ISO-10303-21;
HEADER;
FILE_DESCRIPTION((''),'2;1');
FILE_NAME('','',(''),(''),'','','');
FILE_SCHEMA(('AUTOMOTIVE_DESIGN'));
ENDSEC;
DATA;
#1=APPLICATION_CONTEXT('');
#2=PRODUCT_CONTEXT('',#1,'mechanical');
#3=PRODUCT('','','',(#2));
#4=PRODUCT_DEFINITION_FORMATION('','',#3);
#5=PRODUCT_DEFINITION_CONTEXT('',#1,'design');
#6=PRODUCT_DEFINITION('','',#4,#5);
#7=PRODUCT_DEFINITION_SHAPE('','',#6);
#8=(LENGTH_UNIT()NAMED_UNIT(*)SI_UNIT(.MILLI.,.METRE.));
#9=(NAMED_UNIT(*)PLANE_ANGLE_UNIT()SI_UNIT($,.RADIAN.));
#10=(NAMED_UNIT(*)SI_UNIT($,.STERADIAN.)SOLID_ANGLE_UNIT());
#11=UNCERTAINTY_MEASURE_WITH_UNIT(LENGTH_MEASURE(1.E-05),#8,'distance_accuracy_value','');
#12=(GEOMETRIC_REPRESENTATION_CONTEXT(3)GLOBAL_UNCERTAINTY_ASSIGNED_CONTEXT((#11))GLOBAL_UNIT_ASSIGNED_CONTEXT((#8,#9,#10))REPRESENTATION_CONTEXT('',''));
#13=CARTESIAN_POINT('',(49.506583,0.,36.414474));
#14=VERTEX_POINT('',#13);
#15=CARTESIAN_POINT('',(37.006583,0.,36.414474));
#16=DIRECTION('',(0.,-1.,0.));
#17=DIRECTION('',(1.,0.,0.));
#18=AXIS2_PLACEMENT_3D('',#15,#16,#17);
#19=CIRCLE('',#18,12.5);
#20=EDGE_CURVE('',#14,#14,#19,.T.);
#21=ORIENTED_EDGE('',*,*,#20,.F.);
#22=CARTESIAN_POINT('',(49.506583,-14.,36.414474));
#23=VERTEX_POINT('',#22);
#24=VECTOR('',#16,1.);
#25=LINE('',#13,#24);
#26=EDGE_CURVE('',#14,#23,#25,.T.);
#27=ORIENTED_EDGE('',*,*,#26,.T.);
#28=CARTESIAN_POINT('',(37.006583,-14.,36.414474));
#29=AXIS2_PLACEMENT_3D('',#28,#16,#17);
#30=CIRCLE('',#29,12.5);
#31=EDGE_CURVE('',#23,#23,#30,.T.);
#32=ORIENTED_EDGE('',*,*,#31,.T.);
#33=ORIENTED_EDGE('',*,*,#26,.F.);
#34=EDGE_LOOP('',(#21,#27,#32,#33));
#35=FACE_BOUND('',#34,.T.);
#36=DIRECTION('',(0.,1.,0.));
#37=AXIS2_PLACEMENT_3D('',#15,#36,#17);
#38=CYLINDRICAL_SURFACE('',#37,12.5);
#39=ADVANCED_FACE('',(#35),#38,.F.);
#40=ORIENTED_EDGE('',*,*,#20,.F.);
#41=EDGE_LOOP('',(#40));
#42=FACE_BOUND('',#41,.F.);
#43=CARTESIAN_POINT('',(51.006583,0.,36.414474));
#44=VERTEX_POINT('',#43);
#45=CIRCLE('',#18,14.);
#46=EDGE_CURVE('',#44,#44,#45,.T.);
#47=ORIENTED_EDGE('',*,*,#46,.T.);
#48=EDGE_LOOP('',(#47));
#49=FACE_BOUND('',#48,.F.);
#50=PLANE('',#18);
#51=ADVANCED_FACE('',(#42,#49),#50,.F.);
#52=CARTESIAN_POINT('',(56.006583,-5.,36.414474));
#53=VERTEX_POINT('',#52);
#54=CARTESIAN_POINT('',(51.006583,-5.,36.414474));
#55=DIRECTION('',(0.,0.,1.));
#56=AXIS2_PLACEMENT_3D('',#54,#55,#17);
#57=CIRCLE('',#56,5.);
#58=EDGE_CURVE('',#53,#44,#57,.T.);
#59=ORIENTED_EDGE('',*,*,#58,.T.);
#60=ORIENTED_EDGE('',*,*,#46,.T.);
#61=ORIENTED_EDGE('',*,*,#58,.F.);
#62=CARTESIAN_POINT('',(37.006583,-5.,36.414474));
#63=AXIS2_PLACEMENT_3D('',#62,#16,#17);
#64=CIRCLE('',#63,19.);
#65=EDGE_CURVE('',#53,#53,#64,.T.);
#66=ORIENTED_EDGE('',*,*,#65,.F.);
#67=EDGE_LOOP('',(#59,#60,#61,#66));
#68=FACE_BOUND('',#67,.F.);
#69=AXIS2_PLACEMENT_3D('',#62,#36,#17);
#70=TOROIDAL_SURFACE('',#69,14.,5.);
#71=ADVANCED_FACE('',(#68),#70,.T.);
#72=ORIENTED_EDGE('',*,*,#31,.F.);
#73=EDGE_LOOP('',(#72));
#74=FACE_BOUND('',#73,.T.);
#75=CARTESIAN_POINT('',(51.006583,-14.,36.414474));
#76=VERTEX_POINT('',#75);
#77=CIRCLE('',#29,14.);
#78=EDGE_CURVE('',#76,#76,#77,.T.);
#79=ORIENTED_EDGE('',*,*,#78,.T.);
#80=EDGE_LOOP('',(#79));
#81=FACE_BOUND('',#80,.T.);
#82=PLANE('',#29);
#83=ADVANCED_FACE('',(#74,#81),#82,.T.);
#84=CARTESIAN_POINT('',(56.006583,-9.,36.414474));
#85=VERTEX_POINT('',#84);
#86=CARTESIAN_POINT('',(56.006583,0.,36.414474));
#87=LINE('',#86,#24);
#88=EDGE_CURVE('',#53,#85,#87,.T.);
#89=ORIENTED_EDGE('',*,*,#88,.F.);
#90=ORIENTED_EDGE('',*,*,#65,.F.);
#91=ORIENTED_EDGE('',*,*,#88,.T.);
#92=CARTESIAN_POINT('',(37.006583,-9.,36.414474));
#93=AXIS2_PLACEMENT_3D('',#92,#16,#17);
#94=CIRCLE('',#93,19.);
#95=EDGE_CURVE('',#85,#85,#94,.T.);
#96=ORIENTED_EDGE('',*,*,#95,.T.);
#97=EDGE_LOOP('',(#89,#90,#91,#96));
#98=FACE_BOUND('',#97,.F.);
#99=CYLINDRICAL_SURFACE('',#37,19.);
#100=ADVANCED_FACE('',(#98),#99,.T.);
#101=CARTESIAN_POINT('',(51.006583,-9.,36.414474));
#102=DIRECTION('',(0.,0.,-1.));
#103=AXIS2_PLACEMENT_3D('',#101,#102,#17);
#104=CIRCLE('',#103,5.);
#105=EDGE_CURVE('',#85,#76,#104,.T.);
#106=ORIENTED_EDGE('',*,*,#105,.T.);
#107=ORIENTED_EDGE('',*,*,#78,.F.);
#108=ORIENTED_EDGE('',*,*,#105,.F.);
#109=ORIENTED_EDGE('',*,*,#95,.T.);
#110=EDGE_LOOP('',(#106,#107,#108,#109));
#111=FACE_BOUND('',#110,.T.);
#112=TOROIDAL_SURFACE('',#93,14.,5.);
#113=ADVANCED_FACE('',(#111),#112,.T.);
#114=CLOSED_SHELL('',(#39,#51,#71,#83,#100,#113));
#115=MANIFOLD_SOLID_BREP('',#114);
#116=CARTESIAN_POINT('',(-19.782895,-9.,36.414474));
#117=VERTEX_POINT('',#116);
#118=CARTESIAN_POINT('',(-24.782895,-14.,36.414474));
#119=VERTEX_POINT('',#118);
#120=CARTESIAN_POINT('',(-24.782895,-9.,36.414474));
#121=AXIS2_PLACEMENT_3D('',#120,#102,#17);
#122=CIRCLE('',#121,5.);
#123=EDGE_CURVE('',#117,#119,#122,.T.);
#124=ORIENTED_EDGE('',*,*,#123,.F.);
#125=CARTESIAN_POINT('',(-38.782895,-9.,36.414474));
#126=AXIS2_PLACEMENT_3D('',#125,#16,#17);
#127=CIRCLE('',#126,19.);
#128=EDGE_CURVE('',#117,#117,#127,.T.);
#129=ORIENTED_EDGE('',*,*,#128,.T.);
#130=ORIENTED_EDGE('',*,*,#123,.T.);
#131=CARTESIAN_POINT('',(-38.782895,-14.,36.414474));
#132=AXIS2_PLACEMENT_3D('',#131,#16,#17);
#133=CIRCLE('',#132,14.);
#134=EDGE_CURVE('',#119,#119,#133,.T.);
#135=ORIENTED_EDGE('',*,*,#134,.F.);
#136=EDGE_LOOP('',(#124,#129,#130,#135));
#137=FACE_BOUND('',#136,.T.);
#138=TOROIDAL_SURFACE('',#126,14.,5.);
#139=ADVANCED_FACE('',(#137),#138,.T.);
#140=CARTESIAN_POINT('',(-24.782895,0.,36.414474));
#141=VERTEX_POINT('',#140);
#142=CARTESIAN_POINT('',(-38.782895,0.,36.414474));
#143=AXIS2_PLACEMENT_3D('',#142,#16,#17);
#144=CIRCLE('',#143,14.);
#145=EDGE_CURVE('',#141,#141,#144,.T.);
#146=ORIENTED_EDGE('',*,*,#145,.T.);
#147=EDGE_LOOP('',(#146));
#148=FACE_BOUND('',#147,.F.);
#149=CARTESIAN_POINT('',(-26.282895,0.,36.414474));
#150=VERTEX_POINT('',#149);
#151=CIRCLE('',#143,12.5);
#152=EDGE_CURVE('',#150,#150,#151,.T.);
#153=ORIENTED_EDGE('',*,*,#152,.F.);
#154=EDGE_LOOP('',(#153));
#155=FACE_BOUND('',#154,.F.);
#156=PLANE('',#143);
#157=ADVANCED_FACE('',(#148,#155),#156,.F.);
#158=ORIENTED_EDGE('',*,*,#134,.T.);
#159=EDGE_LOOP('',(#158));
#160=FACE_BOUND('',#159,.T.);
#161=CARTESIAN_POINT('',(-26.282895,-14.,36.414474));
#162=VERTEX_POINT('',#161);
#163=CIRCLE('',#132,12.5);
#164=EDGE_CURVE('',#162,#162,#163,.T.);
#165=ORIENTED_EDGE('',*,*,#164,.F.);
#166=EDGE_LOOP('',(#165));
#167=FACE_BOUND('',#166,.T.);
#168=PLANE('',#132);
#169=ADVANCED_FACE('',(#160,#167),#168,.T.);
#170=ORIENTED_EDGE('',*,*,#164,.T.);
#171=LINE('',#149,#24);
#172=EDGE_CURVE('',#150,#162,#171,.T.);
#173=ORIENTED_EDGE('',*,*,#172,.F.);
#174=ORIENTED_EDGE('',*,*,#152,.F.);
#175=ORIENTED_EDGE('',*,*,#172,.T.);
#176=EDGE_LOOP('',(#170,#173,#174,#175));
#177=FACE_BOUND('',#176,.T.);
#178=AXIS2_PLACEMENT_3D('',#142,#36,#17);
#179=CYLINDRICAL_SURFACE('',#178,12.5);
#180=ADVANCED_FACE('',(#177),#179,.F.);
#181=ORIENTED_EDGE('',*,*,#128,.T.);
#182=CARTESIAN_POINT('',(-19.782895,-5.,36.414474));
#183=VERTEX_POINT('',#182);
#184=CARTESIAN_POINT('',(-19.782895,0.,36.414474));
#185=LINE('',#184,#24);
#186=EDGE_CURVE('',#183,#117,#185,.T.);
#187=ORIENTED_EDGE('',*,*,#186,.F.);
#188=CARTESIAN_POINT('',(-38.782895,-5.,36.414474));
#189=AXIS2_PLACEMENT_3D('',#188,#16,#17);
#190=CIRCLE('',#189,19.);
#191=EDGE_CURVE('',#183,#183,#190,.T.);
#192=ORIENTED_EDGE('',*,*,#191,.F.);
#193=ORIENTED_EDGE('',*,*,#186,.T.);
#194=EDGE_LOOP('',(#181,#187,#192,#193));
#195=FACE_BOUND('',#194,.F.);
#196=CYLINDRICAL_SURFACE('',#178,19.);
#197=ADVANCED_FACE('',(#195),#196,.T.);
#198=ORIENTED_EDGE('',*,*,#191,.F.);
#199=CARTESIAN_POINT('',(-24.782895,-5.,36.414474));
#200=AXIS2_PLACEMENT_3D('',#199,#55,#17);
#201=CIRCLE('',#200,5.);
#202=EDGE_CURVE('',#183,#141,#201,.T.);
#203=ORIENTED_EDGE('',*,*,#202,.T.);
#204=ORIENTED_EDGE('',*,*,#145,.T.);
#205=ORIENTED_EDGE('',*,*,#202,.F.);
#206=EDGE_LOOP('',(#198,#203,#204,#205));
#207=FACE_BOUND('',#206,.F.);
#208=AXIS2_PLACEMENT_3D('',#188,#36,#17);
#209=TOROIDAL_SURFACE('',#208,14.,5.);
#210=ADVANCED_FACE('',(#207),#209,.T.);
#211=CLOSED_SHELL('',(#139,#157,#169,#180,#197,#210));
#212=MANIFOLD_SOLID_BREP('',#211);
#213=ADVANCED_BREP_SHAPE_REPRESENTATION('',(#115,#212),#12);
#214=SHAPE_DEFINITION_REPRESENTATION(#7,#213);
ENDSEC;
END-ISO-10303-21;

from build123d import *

# Parameters (mm, degrees)
F0_R     = 19
F0_R_2   = 12.5
F1_DEPTH = 14
F2_R     = 5


with BuildPart() as f1:
    # F0 (on Front) → F1 (new body)
    with BuildSketch(Plane.XZ):
        with Locations((-38.782895, 36.414474)):
            Circle(F0_R)
        with Locations((-38.782895, 36.414474)):
            Circle(F0_R_2, mode=Mode.SUBTRACT)
        with Locations((37.006583, 36.414474)):
            Circle(F0_R)
        with Locations((37.006583, 36.414474)):
            Circle(F0_R_2, mode=Mode.SUBTRACT)
    extrude(amount=F1_DEPTH)

    # F2
    f2_edges = [f1.edges().sort_by_distance(p)[0] for p in [
        (-19.782895, -7, 36.414474),
        (-57.782895, 0, 36.414474),
        (-57.782895, -14, 36.414474),
        (56.006583, -7, 36.414474),
        (18.006583, 0, 36.414474),
        (18.006583, -14, 36.414474),
    ]]
    fillet(f2_edges, radius=F2_R)


solid = f1.part
